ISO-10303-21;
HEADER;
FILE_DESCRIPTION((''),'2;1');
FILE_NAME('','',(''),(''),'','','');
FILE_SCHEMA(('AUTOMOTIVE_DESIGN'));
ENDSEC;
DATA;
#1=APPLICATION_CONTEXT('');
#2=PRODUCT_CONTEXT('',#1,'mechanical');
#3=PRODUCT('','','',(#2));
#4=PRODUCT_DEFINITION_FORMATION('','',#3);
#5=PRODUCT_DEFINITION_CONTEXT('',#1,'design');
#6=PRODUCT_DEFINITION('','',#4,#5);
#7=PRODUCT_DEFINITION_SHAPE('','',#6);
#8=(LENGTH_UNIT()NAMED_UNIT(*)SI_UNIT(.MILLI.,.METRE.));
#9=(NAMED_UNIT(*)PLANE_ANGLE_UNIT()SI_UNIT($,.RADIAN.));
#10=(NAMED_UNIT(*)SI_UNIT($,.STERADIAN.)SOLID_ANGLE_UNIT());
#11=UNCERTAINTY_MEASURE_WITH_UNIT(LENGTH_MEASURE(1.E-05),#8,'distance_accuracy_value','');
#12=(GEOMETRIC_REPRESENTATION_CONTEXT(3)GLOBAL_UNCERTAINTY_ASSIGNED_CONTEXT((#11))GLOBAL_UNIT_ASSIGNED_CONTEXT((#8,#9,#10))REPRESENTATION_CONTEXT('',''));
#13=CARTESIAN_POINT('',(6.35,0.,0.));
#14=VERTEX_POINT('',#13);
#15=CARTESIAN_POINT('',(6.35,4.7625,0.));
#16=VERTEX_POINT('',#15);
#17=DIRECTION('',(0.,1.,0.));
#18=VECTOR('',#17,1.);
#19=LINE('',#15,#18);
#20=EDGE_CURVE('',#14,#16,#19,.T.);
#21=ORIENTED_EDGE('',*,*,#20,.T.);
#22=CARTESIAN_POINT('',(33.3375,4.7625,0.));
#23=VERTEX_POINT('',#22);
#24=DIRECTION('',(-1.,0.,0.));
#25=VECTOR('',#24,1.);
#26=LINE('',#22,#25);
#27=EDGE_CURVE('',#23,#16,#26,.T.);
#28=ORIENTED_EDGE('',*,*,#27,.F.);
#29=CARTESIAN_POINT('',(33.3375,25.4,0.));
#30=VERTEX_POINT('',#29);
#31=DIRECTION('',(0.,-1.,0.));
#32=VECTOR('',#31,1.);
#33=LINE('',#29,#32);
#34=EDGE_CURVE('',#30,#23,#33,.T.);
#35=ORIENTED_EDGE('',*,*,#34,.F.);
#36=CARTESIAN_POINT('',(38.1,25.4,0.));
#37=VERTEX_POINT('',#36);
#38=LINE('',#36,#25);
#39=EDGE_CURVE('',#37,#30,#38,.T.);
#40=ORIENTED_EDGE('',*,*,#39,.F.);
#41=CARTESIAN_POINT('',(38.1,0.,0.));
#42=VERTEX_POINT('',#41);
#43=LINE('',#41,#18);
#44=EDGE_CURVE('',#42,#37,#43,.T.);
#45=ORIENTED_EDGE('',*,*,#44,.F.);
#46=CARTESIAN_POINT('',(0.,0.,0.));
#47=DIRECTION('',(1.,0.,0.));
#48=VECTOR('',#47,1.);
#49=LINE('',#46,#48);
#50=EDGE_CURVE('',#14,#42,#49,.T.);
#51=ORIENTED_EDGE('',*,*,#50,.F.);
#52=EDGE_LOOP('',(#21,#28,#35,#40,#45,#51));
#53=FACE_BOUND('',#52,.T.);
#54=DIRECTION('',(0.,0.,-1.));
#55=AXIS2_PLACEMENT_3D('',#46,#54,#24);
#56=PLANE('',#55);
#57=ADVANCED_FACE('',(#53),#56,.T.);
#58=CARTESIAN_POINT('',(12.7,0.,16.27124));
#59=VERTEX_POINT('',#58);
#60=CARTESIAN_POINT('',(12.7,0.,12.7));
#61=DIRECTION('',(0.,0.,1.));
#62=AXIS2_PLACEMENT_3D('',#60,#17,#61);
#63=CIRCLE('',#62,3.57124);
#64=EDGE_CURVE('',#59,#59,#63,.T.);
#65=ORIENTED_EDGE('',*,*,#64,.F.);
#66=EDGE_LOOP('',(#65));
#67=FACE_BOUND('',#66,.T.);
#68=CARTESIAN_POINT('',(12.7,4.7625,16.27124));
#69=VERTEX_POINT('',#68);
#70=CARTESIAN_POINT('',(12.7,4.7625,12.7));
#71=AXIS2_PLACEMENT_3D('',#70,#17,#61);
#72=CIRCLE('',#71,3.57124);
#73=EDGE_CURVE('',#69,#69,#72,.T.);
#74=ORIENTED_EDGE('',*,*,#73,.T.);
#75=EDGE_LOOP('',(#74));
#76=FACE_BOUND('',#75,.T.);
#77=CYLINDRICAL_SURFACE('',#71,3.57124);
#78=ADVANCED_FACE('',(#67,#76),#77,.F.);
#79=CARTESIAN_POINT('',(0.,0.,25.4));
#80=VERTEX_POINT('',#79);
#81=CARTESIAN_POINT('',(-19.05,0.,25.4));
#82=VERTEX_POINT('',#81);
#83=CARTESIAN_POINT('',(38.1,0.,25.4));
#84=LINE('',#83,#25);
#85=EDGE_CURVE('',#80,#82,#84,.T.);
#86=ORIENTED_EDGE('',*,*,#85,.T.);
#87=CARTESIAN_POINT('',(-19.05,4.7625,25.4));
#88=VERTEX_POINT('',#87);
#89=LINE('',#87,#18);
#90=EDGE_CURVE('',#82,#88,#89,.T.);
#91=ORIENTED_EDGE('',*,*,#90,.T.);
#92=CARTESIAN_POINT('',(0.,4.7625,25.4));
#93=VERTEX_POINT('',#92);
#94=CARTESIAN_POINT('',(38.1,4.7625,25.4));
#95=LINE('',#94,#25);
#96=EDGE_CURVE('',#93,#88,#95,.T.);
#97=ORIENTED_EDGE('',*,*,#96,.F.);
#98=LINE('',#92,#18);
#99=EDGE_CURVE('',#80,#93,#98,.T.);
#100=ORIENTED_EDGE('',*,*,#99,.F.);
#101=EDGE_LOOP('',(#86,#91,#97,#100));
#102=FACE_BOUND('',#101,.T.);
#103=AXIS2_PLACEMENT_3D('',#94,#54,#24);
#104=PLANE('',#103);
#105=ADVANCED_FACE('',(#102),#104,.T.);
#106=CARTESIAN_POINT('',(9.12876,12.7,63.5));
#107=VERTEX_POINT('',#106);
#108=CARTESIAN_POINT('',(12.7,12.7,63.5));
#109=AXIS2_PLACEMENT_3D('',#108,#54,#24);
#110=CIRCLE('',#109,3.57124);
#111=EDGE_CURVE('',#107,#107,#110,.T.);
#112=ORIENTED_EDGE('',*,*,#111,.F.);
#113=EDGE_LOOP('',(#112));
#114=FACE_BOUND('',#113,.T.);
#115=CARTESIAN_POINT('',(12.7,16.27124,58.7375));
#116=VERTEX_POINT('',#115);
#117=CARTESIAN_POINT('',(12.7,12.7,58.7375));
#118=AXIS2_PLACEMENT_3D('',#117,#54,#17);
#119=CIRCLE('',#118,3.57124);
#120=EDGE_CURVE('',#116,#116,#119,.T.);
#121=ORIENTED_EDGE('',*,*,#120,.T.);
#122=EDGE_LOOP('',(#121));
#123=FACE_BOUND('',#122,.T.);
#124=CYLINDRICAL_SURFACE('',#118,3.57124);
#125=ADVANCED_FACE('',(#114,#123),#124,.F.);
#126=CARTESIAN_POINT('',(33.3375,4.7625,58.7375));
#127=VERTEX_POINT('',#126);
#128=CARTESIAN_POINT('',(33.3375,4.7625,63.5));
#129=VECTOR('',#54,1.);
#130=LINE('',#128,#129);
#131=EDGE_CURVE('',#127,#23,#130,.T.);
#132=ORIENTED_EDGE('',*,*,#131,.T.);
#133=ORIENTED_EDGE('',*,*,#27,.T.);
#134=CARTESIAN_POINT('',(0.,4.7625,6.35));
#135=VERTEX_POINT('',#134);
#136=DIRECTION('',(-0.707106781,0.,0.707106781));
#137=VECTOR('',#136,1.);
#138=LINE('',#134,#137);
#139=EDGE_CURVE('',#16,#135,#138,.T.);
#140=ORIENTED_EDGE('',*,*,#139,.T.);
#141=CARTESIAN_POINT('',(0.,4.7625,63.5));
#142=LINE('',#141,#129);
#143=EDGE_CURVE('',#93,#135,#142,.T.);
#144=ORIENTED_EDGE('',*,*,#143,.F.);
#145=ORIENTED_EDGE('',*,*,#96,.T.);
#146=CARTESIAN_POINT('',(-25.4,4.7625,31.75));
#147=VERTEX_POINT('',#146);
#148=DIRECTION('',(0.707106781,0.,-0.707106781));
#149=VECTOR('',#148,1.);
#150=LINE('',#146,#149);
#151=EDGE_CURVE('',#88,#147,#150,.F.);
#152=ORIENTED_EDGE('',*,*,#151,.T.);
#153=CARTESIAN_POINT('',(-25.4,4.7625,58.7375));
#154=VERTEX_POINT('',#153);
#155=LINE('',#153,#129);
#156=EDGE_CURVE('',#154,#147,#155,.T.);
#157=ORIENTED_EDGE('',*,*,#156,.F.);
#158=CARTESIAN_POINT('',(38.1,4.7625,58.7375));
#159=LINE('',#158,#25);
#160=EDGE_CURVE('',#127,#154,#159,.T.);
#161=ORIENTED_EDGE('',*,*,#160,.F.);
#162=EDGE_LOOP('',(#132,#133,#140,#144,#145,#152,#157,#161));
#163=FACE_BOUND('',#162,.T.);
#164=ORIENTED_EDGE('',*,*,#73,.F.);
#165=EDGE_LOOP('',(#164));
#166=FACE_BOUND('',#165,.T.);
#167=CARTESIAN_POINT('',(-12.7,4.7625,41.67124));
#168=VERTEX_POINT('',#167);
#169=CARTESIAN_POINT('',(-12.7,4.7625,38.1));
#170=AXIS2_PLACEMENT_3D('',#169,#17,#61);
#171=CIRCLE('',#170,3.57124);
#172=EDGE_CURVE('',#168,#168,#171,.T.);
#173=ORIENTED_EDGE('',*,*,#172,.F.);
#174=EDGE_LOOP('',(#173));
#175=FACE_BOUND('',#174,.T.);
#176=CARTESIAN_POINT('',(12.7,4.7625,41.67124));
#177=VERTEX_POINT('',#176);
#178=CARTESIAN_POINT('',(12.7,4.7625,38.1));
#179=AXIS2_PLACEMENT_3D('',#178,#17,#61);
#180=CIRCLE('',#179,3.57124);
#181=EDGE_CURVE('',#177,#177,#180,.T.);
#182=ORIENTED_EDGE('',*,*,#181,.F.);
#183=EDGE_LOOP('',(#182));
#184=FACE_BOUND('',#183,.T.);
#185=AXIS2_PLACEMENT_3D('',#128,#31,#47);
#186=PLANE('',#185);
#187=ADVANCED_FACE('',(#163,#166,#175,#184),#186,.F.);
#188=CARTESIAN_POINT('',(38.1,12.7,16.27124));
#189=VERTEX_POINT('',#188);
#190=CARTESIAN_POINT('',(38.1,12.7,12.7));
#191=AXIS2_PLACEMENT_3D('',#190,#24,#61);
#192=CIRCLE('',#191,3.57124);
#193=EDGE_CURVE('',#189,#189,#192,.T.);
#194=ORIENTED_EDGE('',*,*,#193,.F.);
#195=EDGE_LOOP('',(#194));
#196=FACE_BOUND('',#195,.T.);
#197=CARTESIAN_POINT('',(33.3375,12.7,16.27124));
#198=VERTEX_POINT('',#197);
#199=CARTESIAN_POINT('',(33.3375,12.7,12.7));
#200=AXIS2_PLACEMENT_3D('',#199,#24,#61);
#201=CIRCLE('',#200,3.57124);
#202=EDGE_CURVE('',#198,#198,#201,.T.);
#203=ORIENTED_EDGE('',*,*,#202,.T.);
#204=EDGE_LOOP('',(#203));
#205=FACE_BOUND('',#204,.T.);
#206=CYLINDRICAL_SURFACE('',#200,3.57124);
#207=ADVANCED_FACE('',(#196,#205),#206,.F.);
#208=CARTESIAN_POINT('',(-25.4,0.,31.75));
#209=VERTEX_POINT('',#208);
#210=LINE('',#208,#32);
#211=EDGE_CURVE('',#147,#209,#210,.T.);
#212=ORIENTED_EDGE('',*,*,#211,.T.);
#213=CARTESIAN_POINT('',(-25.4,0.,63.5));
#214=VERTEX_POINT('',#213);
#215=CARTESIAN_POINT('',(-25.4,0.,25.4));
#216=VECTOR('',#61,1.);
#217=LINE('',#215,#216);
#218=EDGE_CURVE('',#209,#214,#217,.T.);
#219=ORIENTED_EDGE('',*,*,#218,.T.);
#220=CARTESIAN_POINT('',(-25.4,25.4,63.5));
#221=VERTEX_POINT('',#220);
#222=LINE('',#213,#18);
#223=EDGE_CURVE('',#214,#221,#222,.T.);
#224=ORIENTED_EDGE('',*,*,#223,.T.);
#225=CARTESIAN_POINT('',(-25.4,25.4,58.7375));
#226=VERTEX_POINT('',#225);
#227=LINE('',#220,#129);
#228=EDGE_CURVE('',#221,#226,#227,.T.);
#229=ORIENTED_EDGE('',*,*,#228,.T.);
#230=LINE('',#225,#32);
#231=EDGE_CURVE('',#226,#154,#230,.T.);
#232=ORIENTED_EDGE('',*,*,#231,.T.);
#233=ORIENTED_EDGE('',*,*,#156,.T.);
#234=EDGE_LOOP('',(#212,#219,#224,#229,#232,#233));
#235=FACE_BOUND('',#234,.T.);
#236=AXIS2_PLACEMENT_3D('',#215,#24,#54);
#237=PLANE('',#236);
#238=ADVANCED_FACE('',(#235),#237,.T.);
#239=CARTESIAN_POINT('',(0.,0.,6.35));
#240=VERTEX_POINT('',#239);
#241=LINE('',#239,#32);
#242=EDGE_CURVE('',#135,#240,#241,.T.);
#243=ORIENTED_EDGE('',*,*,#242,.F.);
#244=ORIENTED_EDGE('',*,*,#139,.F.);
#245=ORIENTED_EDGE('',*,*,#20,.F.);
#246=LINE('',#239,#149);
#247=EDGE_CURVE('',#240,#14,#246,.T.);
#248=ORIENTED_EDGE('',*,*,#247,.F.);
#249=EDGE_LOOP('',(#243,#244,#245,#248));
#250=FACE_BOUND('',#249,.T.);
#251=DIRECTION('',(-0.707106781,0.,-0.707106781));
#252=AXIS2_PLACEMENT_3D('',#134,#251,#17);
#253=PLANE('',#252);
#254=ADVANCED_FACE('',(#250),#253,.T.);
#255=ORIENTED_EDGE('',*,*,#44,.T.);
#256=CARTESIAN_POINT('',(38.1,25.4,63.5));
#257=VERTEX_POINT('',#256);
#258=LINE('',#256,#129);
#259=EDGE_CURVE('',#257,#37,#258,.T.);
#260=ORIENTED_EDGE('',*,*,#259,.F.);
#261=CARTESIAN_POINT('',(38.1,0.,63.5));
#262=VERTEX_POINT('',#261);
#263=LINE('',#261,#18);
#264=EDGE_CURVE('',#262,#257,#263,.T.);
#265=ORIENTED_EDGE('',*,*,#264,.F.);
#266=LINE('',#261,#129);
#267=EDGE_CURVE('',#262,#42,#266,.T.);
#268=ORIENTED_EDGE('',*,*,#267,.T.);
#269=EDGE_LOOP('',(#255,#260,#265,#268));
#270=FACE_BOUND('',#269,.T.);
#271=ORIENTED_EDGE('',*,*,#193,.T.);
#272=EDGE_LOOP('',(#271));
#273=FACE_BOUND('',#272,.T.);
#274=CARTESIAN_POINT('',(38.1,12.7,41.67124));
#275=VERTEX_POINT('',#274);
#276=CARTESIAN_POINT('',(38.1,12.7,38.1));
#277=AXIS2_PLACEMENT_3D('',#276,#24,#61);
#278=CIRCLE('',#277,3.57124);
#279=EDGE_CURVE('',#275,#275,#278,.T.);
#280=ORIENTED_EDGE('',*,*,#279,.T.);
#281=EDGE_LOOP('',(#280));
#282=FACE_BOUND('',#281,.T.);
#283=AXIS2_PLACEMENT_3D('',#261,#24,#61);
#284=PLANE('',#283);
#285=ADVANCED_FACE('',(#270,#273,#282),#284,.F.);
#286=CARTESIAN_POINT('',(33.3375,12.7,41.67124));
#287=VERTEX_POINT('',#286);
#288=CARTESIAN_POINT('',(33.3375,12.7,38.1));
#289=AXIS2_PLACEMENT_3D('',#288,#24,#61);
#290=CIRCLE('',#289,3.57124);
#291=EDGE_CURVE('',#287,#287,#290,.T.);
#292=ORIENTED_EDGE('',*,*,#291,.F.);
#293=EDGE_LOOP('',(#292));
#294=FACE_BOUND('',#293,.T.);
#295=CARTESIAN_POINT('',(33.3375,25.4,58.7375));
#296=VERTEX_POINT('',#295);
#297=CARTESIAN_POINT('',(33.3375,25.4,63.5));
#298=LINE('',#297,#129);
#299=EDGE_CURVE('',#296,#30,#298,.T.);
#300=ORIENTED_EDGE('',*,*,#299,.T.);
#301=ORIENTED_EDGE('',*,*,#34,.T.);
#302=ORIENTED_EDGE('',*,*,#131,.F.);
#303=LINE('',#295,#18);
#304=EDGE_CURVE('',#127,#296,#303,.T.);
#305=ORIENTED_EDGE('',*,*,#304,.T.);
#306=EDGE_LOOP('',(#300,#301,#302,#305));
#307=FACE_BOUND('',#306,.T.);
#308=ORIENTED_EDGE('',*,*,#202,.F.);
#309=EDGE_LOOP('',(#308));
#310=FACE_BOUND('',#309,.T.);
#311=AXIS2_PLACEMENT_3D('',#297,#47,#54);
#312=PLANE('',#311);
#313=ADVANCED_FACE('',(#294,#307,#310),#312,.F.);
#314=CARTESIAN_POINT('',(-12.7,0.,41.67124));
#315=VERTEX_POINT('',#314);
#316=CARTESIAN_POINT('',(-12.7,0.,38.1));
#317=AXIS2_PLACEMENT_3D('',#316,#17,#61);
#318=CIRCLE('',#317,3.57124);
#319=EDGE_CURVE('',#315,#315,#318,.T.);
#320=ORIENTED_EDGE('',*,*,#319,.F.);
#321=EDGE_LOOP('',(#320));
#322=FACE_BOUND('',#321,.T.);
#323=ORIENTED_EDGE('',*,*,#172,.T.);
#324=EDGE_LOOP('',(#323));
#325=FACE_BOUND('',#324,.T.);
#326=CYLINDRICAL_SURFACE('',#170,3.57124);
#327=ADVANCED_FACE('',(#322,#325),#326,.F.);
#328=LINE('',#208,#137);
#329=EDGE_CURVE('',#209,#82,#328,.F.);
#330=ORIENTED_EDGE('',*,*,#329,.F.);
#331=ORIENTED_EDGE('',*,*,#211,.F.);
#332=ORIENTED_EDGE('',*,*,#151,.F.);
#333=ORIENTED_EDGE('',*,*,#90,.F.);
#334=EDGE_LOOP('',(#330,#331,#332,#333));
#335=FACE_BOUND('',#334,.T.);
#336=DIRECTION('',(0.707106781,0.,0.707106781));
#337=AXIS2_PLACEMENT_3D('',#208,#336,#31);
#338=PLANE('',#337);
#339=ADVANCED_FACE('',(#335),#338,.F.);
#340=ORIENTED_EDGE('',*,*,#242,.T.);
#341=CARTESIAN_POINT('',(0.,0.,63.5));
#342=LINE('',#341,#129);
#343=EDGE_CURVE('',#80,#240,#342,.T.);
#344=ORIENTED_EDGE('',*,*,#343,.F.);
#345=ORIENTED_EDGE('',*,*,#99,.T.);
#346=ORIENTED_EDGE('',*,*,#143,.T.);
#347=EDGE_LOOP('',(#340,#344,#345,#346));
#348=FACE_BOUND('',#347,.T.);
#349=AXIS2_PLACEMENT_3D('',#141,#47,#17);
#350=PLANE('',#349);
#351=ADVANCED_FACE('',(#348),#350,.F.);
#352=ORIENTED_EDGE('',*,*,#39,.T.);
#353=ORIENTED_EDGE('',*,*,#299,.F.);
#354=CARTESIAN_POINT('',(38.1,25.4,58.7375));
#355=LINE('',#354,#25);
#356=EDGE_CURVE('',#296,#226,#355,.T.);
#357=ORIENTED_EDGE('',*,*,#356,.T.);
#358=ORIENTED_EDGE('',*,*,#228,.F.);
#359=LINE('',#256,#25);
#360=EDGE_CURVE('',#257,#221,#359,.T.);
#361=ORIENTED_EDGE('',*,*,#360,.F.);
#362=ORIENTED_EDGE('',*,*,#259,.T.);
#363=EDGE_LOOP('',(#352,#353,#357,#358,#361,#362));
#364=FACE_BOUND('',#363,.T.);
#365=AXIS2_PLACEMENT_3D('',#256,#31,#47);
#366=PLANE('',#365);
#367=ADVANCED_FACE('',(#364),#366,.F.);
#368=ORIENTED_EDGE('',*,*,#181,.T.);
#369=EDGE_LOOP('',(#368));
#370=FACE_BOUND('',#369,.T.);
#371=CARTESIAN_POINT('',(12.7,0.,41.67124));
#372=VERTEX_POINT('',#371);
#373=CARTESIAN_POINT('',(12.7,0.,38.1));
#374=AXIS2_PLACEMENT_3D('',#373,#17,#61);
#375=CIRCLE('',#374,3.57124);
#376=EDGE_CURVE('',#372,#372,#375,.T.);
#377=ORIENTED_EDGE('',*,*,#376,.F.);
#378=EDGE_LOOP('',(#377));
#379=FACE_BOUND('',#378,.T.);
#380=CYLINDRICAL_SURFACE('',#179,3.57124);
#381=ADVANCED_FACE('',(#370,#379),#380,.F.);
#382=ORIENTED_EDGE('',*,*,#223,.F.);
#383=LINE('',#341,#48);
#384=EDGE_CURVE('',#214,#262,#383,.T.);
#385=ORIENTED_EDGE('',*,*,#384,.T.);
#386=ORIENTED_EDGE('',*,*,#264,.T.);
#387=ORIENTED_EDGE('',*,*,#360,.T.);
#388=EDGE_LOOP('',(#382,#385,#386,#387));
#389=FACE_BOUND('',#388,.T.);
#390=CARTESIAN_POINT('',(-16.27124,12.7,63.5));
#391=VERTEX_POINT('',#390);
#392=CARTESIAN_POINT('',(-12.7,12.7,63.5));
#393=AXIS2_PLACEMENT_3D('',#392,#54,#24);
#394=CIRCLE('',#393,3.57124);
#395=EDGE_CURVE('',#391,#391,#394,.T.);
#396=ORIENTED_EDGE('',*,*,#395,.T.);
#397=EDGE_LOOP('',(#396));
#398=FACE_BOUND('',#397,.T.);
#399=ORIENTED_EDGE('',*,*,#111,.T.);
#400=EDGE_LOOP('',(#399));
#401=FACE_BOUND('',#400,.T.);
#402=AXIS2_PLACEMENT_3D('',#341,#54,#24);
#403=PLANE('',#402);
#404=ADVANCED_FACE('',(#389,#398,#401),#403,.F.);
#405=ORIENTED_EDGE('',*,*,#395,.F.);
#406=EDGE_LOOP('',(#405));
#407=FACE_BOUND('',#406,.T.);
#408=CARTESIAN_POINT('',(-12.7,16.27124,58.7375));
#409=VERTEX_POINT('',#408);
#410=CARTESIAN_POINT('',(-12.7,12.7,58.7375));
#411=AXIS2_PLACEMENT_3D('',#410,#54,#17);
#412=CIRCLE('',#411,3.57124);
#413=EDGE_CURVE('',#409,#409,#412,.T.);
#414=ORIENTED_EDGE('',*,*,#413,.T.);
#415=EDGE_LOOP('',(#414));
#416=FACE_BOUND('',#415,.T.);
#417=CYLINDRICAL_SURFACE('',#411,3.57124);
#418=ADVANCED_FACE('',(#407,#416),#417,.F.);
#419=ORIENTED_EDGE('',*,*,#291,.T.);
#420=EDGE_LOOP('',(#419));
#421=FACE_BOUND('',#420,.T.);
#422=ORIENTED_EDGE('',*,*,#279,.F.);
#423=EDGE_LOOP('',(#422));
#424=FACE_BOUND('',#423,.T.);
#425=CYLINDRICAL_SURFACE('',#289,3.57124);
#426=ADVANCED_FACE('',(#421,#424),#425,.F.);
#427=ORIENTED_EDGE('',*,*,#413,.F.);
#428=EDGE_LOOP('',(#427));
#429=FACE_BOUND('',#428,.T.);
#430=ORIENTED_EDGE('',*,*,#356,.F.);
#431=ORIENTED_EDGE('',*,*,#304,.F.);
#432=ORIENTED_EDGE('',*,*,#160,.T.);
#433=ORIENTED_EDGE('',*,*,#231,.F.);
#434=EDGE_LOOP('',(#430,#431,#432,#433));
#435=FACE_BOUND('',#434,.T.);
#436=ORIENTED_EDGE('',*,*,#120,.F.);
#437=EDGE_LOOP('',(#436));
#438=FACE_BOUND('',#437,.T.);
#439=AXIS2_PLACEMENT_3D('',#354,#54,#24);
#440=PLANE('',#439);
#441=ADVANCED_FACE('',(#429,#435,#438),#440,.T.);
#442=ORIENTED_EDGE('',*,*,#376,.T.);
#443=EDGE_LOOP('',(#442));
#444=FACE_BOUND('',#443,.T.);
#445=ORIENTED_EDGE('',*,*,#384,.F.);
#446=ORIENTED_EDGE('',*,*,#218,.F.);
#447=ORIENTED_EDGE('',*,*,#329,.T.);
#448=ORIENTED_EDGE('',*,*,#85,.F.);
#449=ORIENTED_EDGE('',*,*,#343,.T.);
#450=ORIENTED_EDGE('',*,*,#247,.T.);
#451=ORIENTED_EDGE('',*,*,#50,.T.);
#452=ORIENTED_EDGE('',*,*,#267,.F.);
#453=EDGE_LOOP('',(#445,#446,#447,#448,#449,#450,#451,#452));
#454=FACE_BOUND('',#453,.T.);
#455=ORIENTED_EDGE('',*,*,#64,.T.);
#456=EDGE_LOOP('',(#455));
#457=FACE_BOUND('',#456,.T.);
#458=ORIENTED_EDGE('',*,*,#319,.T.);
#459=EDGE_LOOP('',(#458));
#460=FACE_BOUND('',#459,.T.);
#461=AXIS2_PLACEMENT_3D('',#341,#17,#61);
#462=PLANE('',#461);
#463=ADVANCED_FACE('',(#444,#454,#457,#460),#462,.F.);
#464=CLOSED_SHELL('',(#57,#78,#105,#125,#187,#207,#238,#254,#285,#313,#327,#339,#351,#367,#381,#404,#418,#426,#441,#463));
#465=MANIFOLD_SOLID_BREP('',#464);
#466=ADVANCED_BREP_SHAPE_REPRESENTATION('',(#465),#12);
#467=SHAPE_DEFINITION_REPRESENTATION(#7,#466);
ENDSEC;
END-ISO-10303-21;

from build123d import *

# Parameters (mm, degrees)
BOSS_EXTRUDE1_DEPTH     = 63.5
F_1_4_CLEARANCE_HOLE1_D = 7.14248
F_1_4_CLEARANCE_HOLE2_D = 7.14248
CHAMFER4_SIZE           = 6.35


with BuildPart() as part:
    # Sketch1 → Boss-Extrude1 (new body)
    with BuildSketch(Plane.XY):
        Polygon((0, 0), (38.1, 0), (38.1, 25.4), (33.3375, 25.4), (33.3375, 4.7625), (0, 4.7625), align=None)
    boss_extrude1 = extrude(amount=BOSS_EXTRUDE1_DEPTH)

    # 1/4 Clearance Hole1 (through all)
    with Locations(Plane(origin=(0, 4.7625, 0), x_dir=(1, 0, 0), z_dir=(0, 1, 0))):
        with Locations((12.7, -12.7), (12.7, -38.1)):
            f_1_4_clearance_hole1 = Hole(F_1_4_CLEARANCE_HOLE1_D / 2)

    # 1/4 Clearance Hole2 (through all)
    with Locations(Plane.ZY.offset(-33.3375)):
        with Locations((38.1, 12.7), (12.7, 12.7)):
            f_1_4_clearance_hole2 = Hole(F_1_4_CLEARANCE_HOLE2_D / 2)

    # Mirror1: Boss-Extrude1, 1/4 Clearance Hole1, 1/4 Clearance Hole2 across plane
    add(boss_extrude1.mirror(Plane(origin=(-12.7, 0, 12.7), x_dir=(0.7071067811865477, 0, 0.7071067811865474), z_dir=(0.7071067811865474, 0, -0.7071067811865477))))
    add(f_1_4_clearance_hole1.mirror(Plane(origin=(-12.7, 0, 12.7), x_dir=(0.7071067811865477, 0, 0.7071067811865474), z_dir=(0.7071067811865474, 0, -0.7071067811865477))), mode=Mode.SUBTRACT)
    add(f_1_4_clearance_hole2.mirror(Plane(origin=(-12.7, 0, 12.7), x_dir=(0.7071067811865477, 0, 0.7071067811865474), z_dir=(0.7071067811865474, 0, -0.7071067811865477))), mode=Mode.SUBTRACT)

    # Chamfer4
    chamfer4_edges = [part.edges().sort_by_distance(p)[0] for p in [
        (-25.4, 2.38125, 25.4),
        (0, 2.38125, 0),
    ]]
    chamfer(chamfer4_edges, length=CHAMFER4_SIZE)


solid = part.part
